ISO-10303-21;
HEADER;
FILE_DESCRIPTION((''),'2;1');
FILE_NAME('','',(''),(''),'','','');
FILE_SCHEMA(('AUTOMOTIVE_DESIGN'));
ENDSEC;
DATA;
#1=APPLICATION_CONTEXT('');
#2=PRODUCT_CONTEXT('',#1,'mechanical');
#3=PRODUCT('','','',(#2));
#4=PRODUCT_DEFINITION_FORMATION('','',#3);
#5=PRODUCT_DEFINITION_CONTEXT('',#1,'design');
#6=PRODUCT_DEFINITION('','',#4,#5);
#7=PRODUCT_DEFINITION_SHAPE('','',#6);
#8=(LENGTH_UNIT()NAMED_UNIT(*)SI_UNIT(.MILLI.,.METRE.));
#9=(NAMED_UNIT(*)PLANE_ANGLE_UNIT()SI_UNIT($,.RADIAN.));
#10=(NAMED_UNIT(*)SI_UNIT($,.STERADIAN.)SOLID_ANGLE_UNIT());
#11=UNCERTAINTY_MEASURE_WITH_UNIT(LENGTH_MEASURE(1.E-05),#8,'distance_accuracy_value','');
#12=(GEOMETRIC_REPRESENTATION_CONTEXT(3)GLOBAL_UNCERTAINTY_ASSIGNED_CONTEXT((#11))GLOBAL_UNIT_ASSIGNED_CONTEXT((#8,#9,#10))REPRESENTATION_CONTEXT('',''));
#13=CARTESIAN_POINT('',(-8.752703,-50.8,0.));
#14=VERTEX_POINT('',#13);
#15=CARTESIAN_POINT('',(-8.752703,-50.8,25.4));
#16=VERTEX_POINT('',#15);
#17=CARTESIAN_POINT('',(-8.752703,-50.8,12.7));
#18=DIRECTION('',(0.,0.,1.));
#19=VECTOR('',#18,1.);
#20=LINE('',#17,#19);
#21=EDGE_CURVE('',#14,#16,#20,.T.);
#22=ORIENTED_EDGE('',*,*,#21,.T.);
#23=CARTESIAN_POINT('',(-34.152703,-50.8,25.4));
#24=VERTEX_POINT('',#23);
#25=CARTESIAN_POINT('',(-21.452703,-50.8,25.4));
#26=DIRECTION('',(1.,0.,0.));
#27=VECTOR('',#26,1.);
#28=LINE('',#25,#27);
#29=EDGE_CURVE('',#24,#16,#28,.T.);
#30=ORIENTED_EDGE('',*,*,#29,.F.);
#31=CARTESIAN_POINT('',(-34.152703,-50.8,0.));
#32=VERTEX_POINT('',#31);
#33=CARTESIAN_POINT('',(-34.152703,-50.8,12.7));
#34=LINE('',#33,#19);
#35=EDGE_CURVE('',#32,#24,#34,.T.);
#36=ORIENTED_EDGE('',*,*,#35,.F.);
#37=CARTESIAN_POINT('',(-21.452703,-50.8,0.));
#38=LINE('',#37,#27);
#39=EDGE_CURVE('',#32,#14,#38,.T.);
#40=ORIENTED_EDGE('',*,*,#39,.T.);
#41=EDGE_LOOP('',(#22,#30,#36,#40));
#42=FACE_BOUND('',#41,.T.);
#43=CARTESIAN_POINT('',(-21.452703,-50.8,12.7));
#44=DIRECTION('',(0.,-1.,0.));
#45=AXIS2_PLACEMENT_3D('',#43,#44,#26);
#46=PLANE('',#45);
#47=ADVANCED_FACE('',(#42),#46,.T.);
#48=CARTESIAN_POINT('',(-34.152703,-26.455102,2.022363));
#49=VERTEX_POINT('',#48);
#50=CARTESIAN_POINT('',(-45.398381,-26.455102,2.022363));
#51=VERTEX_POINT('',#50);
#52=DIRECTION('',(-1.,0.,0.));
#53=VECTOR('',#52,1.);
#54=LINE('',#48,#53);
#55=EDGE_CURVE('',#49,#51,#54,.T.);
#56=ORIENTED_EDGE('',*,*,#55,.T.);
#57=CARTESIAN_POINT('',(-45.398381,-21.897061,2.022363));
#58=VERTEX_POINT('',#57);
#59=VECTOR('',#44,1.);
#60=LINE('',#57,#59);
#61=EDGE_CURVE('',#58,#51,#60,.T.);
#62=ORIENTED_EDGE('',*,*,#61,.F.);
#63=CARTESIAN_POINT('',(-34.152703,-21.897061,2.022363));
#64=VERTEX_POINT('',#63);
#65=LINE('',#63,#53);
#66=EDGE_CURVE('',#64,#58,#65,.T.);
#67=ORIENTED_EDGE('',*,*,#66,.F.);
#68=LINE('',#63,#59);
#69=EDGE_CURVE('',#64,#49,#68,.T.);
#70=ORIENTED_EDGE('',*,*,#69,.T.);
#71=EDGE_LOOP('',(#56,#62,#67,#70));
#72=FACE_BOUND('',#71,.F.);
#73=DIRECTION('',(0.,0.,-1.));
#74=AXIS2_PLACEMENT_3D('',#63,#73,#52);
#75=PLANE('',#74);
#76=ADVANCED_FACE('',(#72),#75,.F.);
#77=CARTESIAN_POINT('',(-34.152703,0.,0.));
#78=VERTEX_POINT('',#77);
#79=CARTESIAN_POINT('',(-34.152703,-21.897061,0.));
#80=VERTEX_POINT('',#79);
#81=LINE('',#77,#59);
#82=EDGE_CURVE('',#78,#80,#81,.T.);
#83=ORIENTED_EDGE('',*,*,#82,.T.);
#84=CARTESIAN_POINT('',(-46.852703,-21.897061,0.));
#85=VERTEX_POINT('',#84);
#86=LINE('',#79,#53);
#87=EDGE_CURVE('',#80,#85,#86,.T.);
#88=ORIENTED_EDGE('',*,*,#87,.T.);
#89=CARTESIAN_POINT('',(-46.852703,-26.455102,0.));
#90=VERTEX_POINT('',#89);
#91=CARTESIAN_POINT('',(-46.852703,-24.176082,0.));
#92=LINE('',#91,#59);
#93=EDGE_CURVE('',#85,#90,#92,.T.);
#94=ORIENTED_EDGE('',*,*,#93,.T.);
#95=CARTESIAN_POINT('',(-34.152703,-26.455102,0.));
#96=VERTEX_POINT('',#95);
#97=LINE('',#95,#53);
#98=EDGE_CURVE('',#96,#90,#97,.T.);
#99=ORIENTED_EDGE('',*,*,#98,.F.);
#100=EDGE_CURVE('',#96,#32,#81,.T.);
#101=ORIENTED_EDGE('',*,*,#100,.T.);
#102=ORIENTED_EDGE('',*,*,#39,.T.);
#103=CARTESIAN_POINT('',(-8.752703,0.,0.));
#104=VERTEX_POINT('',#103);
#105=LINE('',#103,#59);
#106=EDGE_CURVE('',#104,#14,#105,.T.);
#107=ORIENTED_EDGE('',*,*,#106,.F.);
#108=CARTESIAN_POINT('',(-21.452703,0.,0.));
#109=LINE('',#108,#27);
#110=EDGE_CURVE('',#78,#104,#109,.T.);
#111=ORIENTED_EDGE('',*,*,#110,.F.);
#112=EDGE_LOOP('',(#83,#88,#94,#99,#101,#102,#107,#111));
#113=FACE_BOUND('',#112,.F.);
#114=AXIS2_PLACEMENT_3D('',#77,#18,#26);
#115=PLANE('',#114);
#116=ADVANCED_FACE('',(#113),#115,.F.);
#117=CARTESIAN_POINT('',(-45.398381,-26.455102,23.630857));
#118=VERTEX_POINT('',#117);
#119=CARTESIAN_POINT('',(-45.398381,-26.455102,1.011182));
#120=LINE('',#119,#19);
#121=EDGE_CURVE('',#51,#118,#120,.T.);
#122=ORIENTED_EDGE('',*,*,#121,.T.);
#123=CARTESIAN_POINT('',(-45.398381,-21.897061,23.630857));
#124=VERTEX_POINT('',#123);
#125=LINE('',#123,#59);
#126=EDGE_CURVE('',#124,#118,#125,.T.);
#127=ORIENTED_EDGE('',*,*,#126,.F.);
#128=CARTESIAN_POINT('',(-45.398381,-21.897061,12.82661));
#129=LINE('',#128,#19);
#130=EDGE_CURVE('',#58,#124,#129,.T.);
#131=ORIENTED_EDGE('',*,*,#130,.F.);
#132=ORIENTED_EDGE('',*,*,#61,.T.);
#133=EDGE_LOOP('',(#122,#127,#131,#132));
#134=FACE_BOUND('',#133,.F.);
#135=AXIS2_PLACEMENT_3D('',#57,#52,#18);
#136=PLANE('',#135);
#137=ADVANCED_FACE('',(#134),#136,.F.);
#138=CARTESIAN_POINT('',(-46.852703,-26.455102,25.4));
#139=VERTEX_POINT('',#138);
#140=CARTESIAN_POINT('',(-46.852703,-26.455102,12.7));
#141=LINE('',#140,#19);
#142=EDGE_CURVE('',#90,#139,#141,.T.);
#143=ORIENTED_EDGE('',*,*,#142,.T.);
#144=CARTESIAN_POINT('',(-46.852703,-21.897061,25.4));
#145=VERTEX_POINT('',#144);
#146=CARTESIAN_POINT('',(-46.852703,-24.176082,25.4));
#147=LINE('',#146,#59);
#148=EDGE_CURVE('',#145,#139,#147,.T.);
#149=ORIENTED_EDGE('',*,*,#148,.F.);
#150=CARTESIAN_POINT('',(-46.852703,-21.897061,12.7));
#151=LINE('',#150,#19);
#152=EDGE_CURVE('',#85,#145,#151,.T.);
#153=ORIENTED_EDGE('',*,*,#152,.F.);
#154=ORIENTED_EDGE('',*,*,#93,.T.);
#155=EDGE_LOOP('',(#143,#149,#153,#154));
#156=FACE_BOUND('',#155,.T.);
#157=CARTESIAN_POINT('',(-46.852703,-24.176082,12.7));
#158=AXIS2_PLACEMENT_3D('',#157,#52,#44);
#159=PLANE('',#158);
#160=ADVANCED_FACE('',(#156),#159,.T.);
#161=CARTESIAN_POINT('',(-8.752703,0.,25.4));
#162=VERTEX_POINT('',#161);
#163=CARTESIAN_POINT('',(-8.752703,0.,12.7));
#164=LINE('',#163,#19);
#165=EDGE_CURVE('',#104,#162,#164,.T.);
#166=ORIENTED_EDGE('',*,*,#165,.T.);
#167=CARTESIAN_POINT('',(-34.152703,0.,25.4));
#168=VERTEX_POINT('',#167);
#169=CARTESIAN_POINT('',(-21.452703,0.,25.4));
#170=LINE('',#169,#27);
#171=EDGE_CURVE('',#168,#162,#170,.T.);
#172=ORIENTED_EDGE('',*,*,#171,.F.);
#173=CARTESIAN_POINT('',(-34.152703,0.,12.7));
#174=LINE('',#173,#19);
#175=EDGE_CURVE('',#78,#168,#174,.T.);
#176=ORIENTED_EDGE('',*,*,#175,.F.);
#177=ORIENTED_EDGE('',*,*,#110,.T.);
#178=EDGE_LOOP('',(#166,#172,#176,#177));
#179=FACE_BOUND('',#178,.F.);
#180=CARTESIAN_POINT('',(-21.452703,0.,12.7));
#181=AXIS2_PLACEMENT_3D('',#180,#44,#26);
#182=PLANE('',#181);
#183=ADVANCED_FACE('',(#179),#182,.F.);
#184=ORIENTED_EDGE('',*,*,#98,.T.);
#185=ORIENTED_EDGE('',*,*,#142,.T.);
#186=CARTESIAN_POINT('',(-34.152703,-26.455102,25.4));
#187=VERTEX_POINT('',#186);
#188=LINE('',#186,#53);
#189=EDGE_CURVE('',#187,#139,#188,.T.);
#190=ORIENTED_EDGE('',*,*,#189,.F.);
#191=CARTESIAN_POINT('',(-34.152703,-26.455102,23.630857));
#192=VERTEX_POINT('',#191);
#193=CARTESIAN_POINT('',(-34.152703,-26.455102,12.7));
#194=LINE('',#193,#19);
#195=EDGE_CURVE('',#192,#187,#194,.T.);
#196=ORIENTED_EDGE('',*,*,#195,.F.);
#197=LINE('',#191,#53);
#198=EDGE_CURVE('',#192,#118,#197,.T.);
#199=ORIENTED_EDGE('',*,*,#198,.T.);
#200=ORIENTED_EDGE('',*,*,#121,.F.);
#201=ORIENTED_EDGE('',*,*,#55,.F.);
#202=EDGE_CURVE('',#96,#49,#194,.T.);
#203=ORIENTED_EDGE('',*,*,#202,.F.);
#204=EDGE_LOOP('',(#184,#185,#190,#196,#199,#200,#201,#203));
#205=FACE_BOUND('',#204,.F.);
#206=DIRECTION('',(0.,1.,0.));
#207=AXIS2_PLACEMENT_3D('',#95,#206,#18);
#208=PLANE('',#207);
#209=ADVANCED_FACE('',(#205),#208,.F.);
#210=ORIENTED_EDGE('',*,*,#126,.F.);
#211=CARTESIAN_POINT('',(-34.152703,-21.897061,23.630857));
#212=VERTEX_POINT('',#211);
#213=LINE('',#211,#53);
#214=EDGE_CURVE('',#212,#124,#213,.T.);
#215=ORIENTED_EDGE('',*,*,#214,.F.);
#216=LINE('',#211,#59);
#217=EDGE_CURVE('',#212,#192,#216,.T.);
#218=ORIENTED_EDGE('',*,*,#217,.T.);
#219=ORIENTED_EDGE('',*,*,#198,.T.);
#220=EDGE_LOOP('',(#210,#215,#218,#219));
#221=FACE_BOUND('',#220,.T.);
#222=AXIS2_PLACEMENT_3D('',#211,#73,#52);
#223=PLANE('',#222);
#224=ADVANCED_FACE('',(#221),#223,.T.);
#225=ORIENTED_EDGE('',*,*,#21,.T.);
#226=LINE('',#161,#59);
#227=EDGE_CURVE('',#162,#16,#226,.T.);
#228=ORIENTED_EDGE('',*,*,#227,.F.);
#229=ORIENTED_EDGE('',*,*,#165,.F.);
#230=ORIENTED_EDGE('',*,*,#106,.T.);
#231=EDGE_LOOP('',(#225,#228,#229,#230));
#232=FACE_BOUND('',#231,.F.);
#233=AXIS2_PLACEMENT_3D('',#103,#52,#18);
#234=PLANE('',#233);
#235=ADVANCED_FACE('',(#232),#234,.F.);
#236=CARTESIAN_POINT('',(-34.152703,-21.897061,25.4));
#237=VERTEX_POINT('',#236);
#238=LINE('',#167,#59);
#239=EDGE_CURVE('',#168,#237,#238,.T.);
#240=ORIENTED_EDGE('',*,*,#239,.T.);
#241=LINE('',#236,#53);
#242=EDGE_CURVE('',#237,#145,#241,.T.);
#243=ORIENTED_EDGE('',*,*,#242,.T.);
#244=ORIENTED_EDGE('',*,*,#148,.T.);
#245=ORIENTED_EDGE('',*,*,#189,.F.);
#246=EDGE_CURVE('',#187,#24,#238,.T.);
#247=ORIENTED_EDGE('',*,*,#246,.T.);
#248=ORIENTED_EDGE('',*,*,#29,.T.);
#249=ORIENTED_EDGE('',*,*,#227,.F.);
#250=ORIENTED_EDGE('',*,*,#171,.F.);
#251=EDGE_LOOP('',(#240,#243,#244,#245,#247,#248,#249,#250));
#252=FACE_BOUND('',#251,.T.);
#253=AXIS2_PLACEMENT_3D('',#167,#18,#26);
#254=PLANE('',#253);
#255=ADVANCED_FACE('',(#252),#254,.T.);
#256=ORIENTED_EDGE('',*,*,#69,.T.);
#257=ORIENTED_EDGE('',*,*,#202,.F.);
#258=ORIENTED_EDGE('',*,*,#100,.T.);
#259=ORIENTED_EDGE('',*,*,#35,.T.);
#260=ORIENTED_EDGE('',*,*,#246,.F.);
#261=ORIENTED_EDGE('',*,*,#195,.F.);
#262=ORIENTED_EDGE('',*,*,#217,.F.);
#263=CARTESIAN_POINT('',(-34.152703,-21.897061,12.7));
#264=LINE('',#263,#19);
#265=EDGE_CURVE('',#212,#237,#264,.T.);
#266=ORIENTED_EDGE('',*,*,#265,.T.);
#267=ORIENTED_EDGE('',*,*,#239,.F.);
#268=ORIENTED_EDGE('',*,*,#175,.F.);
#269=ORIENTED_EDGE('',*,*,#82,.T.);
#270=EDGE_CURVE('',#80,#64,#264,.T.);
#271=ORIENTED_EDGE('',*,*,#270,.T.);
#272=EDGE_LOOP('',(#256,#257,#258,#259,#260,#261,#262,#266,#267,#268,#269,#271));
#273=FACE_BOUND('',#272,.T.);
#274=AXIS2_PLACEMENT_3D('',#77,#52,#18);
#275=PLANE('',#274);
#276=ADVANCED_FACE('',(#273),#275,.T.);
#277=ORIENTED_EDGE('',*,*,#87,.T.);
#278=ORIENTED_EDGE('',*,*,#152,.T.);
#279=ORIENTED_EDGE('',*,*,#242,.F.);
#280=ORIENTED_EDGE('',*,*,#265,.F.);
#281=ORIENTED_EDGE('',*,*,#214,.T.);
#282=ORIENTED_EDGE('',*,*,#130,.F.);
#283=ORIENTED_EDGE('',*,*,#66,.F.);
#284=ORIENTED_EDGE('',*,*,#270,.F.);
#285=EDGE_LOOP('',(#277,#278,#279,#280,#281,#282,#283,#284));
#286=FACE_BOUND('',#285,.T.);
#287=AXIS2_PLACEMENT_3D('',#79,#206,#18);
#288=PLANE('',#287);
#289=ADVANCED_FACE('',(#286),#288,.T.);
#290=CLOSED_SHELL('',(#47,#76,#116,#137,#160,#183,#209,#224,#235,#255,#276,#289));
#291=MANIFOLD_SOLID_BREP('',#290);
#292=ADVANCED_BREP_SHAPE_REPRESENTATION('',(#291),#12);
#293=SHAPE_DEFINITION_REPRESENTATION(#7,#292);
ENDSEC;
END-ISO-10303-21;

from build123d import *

# Parameters (mm, degrees)
F0_W     = 25.4
F0_H     = 25.4
F1_DEPTH = 50.8
F2_W     = 4.558041
F2_H     = 25.4
F3_DEPTH = 12.7
F4_W     = 11.245678
F4_H     = 21.608493
F5_DEPTH = 25.4


with BuildPart() as f1:
    # F0 (on Front) → F1 (new body)
    with BuildSketch(Plane.XZ):
        with Locations((-21.452703, 12.7)):
            Rectangle(F0_W, F0_H)
    extrude(amount=F1_DEPTH)

    # F2 (on face) → F3 (join)
    with BuildSketch(Plane(origin=(-34.152703, 0, 0), x_dir=(0, -1, 0), z_dir=(-1, 0, 0))):
        with Locations((24.176082, 12.7)):
            Rectangle(F2_W, F2_H)
    extrude(amount=F3_DEPTH)

    # F4 (on face) → F5 (cut)
    with BuildSketch(Plane(origin=(0, -21.897061, 0), x_dir=(-1, 0, 0), z_dir=(0, 1, 0))):
        with Locations((39.775542, 12.82661)):
            Rectangle(F4_W, F4_H)
    extrude(amount=-F5_DEPTH, mode=Mode.SUBTRACT)


solid = f1.part
